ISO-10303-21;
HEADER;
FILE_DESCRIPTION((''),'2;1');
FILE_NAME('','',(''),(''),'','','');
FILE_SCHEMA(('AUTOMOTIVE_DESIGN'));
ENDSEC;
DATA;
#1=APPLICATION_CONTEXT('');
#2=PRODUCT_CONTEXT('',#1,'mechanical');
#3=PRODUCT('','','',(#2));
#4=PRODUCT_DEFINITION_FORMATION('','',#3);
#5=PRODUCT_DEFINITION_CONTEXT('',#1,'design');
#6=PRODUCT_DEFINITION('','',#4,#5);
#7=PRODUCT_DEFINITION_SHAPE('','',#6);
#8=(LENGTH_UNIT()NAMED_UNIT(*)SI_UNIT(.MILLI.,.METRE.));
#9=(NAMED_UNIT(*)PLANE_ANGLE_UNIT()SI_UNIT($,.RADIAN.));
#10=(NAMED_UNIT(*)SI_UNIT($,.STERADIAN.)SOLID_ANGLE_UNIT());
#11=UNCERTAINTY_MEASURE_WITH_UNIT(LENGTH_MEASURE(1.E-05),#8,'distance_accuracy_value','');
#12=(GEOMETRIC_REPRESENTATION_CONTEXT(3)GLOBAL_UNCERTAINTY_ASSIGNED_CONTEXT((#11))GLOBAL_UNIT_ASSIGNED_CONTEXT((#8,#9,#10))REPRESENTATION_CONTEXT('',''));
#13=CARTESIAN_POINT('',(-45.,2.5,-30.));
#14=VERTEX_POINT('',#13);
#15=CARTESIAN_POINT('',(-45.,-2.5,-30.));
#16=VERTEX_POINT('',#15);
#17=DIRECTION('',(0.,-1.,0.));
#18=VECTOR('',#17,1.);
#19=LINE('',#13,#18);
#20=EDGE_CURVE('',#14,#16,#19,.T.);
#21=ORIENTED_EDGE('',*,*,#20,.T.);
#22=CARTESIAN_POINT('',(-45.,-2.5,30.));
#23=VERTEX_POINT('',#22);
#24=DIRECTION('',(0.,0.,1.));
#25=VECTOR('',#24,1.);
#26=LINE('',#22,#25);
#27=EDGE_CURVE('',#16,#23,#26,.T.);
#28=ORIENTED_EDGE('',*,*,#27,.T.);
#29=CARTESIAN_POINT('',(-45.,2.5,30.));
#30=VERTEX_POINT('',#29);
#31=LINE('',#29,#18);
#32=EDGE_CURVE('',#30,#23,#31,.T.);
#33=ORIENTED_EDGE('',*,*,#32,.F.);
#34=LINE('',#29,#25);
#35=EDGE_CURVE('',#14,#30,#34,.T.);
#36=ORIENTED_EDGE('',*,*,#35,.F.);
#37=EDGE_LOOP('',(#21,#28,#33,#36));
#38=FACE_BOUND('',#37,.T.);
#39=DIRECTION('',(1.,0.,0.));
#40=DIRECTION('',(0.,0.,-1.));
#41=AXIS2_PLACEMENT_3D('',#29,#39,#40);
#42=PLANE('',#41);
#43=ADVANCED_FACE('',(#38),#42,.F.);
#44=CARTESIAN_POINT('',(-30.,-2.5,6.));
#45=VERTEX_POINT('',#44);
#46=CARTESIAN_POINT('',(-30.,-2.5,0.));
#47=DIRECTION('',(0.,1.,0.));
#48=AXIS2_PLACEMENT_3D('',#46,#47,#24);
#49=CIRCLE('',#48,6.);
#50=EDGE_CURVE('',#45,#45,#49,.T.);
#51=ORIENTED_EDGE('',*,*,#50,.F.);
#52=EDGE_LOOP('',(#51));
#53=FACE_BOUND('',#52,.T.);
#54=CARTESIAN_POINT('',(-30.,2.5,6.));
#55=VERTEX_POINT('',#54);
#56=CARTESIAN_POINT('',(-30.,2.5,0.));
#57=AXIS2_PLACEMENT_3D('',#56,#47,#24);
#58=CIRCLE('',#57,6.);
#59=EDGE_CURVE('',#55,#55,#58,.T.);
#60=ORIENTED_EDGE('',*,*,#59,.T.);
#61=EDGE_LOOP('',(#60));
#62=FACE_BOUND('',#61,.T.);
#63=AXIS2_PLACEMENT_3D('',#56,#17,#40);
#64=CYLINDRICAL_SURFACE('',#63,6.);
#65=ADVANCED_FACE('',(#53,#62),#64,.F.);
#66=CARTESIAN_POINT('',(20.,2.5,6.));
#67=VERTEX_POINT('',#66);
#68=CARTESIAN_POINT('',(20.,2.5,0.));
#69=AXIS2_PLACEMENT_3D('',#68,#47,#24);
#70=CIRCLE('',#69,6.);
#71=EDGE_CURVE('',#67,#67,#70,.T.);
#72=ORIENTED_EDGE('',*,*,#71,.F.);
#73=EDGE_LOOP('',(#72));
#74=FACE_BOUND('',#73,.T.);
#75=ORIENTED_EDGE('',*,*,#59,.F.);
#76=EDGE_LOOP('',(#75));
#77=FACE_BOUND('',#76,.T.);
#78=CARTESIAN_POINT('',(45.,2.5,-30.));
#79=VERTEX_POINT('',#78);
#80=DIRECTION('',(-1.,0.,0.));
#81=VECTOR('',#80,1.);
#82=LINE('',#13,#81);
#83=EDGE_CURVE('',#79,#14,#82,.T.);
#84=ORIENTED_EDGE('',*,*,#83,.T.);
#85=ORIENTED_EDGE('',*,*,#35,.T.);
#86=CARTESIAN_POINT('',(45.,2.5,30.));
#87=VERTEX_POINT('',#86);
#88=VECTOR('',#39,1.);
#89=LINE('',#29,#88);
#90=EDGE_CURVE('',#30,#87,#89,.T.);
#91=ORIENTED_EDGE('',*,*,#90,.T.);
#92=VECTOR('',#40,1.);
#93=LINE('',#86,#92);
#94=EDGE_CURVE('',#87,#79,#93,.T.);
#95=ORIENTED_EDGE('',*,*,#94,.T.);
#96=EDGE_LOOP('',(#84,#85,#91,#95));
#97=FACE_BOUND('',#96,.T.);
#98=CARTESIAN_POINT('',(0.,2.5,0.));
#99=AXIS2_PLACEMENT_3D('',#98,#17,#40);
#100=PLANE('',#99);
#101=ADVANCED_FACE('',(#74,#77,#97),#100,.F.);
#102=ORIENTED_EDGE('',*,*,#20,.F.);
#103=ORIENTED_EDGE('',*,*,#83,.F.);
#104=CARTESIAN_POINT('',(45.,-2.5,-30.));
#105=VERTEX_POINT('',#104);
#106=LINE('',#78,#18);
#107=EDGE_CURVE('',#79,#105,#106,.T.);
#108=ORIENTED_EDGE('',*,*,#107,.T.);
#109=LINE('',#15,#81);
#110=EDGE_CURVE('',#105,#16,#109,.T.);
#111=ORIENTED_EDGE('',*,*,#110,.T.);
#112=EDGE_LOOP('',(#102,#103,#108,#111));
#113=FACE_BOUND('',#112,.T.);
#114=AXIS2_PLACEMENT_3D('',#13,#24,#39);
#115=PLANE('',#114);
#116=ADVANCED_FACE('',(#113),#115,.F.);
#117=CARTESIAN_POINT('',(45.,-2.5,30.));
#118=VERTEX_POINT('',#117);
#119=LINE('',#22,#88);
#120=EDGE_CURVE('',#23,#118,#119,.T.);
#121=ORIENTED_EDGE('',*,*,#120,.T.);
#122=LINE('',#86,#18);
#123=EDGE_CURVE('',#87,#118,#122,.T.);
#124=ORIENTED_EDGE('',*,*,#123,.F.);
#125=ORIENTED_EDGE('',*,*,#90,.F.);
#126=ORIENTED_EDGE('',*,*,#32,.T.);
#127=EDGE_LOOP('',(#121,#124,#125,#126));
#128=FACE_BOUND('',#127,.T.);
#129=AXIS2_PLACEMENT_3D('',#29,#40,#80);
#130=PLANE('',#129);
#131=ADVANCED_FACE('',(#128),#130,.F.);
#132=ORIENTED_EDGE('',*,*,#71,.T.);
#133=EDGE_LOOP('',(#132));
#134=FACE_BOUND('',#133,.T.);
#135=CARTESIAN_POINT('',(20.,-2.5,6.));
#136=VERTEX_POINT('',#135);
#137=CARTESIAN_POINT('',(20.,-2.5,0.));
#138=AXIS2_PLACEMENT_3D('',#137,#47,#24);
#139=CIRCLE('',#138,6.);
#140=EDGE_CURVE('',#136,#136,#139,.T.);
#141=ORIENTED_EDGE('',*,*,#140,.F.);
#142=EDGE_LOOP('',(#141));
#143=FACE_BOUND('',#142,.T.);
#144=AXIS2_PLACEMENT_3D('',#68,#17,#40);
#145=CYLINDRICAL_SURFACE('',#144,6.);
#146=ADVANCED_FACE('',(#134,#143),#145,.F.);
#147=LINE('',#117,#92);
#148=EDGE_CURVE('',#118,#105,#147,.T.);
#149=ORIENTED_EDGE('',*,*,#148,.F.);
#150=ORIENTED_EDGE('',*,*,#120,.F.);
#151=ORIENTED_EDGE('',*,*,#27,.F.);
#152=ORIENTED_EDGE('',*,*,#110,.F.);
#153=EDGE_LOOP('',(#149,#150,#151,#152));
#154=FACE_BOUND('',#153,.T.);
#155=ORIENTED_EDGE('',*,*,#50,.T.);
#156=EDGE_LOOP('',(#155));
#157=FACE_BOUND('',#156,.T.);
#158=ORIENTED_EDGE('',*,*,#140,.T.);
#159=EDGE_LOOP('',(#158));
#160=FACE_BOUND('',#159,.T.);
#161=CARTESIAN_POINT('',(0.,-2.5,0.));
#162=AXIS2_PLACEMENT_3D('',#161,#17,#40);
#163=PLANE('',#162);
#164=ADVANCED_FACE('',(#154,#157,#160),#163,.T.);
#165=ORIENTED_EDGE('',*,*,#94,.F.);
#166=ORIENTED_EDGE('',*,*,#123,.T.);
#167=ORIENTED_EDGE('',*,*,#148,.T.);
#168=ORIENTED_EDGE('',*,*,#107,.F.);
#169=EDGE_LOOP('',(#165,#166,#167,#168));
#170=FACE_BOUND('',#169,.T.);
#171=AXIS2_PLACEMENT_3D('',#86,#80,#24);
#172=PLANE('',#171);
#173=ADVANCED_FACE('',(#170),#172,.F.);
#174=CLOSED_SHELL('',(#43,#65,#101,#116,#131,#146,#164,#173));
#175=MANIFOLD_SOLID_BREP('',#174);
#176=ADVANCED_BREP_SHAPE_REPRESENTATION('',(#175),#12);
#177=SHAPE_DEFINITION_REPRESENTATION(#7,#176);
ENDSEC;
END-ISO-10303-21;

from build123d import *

# Parameters (mm, degrees)
SKETCH4_W           = 90
SKETCH4_H           = 60
SKETCH4_R           = 6
BOSS_EXTRUDE1_DEPTH = 2.5


with BuildPart() as part:
    # Sketch4 → Boss-Extrude1 (new body, symmetric)
    with BuildSketch(Plane(origin=(0, 0, 0), x_dir=(1, 0, 0), z_dir=(0, 1, 0))):
        Rectangle(SKETCH4_W, SKETCH4_H)
        with Locations((-30, 0)):
            Circle(SKETCH4_R, mode=Mode.SUBTRACT)
        with Locations((20, 0)):
            Circle(SKETCH4_R, mode=Mode.SUBTRACT)
    extrude(amount=BOSS_EXTRUDE1_DEPTH, both=True)


solid = part.part
